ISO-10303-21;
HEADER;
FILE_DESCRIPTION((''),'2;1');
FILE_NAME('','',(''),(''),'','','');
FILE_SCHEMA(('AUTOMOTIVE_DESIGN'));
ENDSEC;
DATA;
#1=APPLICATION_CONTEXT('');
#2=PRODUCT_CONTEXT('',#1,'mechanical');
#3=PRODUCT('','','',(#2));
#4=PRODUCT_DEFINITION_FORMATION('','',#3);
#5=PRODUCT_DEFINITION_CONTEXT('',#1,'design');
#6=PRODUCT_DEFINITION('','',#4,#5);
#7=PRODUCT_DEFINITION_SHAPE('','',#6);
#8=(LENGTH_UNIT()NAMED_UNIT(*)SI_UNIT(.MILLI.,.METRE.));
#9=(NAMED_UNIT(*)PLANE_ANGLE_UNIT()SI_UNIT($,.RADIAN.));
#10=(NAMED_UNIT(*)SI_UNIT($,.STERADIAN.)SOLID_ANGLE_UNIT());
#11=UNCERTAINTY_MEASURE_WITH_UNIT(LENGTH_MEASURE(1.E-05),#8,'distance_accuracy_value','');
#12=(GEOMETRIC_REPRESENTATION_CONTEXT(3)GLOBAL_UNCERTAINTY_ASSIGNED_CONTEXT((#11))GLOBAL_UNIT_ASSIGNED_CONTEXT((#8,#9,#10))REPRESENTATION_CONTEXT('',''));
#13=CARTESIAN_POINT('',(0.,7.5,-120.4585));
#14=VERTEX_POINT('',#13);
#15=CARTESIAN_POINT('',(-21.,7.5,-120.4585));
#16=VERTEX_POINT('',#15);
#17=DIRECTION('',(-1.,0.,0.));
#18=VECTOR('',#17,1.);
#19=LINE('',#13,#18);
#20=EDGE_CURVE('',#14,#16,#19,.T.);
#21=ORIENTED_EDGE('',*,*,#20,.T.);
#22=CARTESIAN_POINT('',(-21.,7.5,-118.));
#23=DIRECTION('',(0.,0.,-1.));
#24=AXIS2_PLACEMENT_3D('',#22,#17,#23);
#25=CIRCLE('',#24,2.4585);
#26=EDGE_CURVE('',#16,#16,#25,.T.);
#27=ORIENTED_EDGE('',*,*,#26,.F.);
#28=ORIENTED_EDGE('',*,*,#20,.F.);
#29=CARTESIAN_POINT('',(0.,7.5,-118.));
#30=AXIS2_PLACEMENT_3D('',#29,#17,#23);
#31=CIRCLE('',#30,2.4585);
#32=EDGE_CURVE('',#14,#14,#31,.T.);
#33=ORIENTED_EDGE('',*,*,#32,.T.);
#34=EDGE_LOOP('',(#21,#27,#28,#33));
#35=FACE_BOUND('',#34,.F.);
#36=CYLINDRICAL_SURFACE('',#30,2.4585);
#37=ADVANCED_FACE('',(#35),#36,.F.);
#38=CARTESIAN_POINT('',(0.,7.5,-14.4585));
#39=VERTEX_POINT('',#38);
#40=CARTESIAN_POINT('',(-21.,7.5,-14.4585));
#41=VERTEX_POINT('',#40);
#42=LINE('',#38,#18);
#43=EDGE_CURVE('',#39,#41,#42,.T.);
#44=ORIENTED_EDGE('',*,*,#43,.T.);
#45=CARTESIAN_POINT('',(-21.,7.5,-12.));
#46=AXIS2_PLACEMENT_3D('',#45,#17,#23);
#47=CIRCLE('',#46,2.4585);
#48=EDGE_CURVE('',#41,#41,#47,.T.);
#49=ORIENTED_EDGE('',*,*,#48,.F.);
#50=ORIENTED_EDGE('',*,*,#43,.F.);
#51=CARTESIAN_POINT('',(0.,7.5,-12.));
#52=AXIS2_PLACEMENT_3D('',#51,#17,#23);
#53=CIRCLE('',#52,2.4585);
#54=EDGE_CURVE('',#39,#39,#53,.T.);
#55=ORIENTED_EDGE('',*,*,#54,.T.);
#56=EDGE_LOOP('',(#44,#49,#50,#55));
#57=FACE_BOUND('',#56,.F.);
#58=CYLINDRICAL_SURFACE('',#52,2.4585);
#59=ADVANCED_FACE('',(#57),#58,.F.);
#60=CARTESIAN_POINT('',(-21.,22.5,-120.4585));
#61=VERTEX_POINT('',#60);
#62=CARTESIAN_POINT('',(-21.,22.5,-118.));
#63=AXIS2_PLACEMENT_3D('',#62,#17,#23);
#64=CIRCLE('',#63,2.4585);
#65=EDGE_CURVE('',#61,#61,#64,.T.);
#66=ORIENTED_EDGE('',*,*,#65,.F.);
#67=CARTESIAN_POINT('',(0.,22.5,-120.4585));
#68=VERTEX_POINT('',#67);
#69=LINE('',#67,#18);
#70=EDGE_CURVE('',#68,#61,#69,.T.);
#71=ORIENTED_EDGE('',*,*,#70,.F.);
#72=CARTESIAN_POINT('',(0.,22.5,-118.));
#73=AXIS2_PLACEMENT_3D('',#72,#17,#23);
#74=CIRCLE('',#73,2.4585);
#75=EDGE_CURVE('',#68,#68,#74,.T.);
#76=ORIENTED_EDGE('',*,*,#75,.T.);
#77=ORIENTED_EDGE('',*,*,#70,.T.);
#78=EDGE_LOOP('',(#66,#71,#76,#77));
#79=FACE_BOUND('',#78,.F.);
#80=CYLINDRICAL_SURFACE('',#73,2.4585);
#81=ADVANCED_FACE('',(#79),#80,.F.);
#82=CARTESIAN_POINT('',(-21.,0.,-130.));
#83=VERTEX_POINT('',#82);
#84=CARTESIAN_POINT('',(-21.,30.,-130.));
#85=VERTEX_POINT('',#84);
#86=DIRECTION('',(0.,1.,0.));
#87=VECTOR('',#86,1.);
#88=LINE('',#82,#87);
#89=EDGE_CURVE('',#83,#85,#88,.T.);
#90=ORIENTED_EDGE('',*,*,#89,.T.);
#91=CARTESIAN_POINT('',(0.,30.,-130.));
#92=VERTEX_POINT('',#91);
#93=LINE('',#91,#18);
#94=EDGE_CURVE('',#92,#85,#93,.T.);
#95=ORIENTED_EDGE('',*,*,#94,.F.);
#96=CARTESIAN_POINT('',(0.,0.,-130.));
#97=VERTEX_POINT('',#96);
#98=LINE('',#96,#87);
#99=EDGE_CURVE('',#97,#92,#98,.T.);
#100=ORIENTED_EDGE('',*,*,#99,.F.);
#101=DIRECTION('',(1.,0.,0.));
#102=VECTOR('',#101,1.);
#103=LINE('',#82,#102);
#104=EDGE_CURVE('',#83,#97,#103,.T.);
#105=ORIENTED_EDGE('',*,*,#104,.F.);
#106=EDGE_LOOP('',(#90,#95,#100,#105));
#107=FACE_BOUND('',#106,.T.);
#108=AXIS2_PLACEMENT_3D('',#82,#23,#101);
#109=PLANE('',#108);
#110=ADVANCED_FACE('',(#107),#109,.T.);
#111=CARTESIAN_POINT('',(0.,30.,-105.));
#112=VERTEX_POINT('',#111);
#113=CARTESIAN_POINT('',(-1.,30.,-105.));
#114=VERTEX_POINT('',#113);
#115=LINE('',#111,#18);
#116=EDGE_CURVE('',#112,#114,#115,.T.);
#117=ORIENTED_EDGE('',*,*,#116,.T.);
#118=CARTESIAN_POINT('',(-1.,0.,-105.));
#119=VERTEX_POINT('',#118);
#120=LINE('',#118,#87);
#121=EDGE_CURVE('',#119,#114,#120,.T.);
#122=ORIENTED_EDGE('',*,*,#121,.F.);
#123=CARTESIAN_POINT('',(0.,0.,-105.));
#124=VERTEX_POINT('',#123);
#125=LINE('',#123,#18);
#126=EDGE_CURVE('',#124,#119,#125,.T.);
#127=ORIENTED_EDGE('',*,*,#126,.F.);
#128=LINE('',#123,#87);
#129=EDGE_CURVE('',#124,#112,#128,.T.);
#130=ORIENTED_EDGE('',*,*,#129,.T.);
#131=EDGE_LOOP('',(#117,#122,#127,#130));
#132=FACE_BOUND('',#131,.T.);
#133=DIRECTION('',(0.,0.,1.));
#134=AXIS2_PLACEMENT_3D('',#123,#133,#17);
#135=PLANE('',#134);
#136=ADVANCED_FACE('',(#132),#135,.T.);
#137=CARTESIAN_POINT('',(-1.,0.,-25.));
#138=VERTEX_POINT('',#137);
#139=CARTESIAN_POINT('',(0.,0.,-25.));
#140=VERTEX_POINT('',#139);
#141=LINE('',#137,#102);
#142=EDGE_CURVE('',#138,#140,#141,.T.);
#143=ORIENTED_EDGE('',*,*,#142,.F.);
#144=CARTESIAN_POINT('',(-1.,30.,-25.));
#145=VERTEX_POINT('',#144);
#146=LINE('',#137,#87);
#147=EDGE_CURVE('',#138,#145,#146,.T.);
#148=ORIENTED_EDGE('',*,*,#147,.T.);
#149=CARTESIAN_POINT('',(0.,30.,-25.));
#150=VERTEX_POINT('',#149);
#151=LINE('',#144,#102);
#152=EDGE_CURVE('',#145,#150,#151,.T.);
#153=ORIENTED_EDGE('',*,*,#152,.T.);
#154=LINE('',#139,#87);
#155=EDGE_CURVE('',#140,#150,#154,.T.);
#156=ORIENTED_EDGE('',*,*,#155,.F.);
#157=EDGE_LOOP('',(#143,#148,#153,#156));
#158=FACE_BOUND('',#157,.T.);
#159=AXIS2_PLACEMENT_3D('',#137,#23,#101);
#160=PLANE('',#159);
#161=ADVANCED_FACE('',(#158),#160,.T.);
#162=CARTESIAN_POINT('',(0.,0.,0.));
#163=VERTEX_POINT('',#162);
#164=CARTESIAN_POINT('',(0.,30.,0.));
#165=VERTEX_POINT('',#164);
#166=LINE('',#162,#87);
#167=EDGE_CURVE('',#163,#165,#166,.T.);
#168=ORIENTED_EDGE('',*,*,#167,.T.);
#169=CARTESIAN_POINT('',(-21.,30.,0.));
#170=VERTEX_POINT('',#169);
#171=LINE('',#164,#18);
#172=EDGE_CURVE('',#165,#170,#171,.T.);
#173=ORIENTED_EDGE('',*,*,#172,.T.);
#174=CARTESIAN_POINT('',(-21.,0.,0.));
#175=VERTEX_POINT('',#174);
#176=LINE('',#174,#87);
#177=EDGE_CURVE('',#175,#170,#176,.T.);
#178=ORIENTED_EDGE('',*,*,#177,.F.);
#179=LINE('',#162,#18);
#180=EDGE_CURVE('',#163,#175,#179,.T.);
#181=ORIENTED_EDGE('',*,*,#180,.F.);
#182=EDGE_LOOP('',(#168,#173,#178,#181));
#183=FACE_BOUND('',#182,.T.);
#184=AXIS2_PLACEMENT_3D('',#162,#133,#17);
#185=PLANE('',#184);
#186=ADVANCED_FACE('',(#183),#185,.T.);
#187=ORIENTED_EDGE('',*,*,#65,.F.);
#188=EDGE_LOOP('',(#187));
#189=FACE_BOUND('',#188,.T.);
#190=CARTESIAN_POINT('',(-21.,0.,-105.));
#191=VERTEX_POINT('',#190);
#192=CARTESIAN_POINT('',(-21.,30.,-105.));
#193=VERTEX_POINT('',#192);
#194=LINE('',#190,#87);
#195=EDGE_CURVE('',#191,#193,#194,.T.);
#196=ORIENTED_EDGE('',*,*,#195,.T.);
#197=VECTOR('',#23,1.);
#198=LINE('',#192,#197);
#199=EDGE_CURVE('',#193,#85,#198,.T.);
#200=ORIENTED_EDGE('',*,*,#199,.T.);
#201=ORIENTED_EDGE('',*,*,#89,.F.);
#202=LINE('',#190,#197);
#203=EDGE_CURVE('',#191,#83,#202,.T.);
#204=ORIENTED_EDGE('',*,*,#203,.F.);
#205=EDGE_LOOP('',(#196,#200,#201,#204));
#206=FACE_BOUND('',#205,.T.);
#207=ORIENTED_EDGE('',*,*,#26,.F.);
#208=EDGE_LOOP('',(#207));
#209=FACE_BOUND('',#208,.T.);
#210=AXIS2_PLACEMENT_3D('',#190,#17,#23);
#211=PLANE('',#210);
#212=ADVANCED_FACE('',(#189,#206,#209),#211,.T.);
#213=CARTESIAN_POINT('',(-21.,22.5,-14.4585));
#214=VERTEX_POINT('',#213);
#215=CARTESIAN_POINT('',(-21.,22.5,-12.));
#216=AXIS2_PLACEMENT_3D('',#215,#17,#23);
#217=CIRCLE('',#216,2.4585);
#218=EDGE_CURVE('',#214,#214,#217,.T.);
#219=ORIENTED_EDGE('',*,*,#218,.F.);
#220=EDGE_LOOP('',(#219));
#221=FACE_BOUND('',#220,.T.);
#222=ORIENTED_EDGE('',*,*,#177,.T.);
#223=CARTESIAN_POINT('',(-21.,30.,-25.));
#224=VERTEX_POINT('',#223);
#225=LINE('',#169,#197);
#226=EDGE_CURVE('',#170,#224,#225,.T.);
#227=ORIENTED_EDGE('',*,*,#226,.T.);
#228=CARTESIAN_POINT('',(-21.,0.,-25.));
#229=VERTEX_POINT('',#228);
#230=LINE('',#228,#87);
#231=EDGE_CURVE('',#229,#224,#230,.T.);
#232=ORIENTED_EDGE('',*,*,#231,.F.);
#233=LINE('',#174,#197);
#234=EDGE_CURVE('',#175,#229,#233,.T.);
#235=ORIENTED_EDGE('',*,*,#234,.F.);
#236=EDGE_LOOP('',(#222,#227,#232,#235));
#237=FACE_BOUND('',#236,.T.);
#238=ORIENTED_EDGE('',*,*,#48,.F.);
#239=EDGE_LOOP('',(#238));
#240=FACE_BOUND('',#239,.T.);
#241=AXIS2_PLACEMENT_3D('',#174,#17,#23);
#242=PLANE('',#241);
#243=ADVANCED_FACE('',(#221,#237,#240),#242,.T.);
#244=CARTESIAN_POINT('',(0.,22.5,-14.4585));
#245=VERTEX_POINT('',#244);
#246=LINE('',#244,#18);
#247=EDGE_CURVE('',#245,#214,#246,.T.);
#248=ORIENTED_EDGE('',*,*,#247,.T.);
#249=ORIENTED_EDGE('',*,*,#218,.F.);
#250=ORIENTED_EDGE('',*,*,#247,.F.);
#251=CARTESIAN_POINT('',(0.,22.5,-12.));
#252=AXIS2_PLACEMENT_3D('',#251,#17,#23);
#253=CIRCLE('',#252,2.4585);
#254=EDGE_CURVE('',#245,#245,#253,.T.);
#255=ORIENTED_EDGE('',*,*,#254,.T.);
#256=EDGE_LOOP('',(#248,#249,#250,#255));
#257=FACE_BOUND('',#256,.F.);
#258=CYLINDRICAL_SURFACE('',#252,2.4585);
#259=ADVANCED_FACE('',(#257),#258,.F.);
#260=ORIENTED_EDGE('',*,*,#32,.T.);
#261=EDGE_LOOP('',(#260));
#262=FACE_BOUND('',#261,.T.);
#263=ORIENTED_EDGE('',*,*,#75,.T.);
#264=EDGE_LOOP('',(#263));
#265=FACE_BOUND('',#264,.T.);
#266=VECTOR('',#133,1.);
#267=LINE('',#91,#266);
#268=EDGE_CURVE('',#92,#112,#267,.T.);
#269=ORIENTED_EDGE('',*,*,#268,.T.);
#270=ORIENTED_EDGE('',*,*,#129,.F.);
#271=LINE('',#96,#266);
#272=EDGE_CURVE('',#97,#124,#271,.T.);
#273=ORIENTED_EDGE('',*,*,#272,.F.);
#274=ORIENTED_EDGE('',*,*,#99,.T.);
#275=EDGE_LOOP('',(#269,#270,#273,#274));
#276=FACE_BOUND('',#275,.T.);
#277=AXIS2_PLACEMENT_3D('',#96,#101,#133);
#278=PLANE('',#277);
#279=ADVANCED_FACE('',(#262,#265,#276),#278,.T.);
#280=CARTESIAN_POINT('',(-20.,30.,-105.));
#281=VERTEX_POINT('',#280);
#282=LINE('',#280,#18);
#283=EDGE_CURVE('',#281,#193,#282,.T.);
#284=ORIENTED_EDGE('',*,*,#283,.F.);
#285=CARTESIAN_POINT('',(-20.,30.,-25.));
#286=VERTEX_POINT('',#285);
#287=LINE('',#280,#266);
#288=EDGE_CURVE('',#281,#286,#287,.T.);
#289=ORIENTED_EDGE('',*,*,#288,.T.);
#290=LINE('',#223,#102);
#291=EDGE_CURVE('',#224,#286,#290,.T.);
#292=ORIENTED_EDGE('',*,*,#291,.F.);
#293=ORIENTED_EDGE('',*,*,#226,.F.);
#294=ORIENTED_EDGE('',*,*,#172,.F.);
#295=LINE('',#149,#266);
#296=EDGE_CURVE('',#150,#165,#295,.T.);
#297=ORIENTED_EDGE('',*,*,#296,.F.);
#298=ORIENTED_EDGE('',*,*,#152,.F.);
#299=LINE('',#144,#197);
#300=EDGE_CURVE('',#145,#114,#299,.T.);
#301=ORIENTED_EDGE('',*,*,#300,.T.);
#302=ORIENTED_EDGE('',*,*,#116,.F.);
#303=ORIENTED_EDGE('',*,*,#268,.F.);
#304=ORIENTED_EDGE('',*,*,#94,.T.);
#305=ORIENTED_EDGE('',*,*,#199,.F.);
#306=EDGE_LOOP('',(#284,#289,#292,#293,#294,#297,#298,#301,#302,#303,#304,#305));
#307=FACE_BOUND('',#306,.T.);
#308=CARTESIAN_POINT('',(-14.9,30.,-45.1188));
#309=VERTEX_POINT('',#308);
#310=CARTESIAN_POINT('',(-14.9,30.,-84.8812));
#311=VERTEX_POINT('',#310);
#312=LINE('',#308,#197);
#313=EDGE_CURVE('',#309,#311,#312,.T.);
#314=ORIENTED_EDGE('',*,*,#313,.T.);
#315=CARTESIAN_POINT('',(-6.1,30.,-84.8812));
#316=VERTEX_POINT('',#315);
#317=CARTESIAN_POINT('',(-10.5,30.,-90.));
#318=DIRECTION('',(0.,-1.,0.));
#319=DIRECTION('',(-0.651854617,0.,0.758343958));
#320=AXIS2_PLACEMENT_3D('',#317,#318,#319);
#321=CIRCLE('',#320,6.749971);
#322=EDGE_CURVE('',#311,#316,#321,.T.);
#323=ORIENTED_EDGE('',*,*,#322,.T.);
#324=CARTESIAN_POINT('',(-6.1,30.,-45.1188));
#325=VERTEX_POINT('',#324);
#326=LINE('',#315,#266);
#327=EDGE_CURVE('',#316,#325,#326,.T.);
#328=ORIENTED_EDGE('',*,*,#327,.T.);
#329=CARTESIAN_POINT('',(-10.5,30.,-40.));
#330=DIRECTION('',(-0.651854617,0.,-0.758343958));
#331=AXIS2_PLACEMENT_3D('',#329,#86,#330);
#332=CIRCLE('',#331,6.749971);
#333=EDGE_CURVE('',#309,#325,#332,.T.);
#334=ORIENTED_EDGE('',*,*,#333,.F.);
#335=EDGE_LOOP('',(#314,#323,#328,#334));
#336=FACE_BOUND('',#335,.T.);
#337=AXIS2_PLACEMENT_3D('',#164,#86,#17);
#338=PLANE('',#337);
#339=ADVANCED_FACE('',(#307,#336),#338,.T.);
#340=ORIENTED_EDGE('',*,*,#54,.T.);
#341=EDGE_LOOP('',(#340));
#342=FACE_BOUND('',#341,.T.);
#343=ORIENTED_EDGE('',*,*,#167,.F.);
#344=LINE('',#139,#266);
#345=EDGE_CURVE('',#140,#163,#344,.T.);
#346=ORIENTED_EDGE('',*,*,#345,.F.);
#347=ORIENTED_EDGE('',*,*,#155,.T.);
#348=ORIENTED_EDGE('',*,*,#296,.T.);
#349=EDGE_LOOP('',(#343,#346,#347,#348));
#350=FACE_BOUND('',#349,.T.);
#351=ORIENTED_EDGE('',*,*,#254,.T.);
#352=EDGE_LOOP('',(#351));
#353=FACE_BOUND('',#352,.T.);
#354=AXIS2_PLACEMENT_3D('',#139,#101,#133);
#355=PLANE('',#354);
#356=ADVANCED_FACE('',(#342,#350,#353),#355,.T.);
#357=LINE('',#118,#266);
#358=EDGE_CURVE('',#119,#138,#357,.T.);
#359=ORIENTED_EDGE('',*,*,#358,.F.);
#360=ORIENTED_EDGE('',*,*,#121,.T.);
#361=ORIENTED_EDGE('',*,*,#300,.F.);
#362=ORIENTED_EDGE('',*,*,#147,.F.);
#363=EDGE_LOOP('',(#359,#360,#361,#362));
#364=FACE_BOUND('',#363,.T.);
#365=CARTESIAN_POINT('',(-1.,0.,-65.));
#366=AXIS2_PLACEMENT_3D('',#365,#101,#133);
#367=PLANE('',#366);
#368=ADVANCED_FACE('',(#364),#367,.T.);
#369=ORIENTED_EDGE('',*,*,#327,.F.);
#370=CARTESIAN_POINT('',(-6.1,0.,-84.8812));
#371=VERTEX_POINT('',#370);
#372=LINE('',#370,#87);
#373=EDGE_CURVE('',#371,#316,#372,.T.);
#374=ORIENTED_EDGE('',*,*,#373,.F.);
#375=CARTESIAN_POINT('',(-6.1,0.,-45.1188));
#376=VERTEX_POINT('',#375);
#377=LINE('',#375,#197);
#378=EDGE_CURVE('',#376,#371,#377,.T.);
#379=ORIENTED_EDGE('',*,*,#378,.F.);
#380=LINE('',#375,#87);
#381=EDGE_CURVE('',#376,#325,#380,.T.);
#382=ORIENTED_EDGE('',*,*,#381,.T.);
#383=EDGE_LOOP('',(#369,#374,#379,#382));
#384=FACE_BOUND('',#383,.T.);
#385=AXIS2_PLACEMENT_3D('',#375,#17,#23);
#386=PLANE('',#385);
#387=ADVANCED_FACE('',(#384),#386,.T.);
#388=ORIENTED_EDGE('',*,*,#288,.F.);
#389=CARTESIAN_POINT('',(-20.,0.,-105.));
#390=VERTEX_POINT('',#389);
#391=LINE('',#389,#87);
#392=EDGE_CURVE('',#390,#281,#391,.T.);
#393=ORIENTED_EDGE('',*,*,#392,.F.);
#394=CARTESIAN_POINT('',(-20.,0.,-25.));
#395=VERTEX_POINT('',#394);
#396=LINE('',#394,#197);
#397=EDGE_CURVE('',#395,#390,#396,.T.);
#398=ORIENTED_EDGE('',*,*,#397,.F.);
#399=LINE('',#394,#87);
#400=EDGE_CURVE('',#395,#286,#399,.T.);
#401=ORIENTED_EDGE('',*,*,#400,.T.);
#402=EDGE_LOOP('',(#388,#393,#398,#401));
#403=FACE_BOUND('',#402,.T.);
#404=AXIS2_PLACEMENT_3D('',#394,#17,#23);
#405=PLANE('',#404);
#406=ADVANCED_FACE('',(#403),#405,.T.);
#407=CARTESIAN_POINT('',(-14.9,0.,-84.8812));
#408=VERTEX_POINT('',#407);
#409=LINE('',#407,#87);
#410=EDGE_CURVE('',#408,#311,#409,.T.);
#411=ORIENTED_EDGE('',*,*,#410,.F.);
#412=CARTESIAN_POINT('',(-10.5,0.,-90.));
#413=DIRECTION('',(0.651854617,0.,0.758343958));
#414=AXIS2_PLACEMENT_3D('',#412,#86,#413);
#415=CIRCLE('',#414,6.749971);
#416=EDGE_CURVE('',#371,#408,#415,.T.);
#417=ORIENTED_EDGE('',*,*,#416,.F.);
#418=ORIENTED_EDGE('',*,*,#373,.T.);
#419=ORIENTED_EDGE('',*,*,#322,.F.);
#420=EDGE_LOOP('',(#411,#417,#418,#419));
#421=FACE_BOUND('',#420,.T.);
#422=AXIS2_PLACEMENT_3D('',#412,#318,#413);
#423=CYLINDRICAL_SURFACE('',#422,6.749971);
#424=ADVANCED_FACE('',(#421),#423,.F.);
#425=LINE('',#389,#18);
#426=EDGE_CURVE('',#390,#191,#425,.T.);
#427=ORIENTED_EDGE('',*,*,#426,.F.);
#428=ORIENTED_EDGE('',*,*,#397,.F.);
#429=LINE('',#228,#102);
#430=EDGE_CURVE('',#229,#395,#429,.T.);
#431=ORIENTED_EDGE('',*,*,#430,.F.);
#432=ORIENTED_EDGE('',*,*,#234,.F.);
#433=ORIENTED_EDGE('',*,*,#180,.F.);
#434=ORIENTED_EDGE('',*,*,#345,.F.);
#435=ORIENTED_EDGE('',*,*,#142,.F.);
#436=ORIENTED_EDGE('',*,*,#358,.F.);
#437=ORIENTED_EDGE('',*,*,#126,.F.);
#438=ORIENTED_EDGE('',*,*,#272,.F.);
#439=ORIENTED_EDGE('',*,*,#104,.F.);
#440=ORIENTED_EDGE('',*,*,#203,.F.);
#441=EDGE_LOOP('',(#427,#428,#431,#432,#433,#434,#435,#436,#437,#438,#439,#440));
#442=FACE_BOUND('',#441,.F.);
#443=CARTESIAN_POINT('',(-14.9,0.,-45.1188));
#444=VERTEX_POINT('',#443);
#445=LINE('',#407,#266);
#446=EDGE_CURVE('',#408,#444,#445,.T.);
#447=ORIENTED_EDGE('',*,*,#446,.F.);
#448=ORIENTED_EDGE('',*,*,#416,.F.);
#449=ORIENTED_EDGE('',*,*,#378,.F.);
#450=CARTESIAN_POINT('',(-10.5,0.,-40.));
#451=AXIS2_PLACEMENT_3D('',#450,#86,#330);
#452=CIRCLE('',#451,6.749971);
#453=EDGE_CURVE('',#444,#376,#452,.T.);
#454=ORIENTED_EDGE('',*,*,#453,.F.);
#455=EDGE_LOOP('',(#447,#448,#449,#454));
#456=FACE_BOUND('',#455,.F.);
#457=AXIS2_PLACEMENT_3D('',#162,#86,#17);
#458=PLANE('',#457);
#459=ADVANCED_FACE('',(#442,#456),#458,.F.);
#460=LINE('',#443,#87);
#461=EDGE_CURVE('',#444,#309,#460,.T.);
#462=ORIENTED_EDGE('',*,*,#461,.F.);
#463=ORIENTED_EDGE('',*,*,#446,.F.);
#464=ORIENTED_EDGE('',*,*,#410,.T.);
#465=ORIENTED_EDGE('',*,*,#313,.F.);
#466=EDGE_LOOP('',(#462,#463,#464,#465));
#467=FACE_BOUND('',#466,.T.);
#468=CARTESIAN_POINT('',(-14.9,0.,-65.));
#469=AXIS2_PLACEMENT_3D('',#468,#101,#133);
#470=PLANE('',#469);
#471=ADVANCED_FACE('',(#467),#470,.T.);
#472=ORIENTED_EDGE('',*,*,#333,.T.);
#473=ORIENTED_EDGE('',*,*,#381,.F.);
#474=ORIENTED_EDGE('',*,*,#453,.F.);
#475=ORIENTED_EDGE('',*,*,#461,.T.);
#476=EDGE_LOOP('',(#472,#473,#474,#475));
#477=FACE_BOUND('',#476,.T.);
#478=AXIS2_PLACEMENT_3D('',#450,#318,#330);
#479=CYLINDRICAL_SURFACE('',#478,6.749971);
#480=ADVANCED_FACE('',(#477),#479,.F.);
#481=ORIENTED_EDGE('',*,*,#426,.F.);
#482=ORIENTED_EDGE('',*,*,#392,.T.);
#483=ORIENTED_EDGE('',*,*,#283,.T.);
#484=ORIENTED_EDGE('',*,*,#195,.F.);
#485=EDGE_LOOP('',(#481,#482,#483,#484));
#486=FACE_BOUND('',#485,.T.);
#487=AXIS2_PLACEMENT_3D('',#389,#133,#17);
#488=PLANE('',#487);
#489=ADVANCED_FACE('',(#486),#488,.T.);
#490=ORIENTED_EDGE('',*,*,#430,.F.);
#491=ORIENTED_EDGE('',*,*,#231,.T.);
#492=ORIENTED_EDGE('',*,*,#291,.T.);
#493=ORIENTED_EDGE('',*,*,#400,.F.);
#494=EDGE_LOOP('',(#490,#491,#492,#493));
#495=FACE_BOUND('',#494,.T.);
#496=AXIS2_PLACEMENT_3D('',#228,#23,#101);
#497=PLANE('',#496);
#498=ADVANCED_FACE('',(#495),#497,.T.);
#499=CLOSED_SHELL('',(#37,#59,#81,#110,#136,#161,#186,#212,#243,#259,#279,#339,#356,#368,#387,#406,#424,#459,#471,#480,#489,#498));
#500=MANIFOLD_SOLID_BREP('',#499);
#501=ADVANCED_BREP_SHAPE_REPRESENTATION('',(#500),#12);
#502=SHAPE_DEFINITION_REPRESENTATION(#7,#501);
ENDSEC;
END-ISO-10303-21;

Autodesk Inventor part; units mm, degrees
ref_plane "YZ Plane" through (0, 0, 0) normal (1, 0, 0) x (0, 1, 0)
ref_plane "XZ Plane" through (0, 0, 0) normal (0, 1, 0) x (-1, 0, 0)
ref_plane "XY Plane" through (0, 0, 0) normal (0, 0, 1) x (1, 0, 0)
sketch "Esboço1" plane through (0, 0, 0) normal (0, 1, 0) x (-1, 0, 0)
  line L0 (0, 0) -> (21, 0)
  line L1 (21, -130) -> (0, -130)
  arc A0 (14.9, -45.1188) -> (6.1, -45.1188) centre (10.5, -40) ccw
  arc A1 (6.1, -84.8812) -> (14.9, -84.8812) centre (10.5, -90) ccw
  line L2 (6.1, -45.1188) -> (6.1, -84.8812)
  line L3 (14.9, -84.8812) -> (14.9, -45.1188)
  line L4 (21, -25) -> (20, -25)
  line L5 (20, -25) -> (20, -105)
  line L6 (20, -105) -> (21, -105)
  line L7 (1, -25) -> (0, -25)
  line L8 (0, -105) -> (1, -105)
  line L9 (1, -105) -> (1, -25)
  line L10 (21, 0) -> (21, -25)
  line L11 (21, -105) -> (21, -130)
  line L12 (0, -130) -> (0, -105)
  line L13 (0, -25) -> (0, 0)
  line L14 (6.1, -65) -> (1, -65)
  line L15 (1, -65) -> (20, -65)
  line L16 (10.5, -65) -> (10.5, -130)
  line L17 (10.5, -90) -> (10.5, -130)
  point P0 (10.5, 0)
  point P1 (10.5, -51.1323)
  point P2 (-52.2156, -65)
  dimension "d0" = 21
  dimension "d1" = 130
  dimension "d2" = 13.5
  dimension "d8" = 0
  dimension "d9" = 1
  dimension "d10" = 80
  dimension "d11" = 1
  dimension "d12" = 80
  dimension "d15" = 0
  dimension "d16" = 0
  dimension "d34" = 8.8
  dimension "d37" = 0
  dimension "d38" = 4.4
  dimension "d39" = 50
  dimension "d40" = 25
  dimension "d41" = 25
extrude "Extrusão1" add sketch "Esboço1" along normal blind 30 contours L0 L10 L4 L5 L15 L3 A0 L2 L14 L9 L7 L13 | L14 L2 A1 L16 L1 L12 L8 L9 | L5 L6 L11 L1 L16 A1 L3 L15
sketch "Esboço2" plane through (0, 0, 0) normal (1, 0, 0) x (0, 0, -1)
  line L0 (0, 0) -> (0, 30) projected
  line L1 (130, 0) -> (130, 30) projected
  line L2 (0, 30) -> (25, 30) projected
  line L3 (0, 0) -> (25, 0) projected
  line L4 (105, 30) -> (130, 30) projected
  line L5 (105, 0) -> (130, 0) projected
  point P0 (12, 22.5)
  point P1 (12, 7.5)
  point P2 (118, 22.5)
  point P3 (118, 7.5)
  point P4 (117.5, 0)
  dimension "d19" = 12
  dimension "d20" = 12
  dimension "d21" = 12
  dimension "d22" = 12
  dimension "d23" = 7.5
  dimension "d24" = 7.5
  dimension "d25" = 7.5
  dimension "d26" = 7.5
hole "Furo1" at (0, 22.5, -12) at (0, 7.5, -12) at (0, 22.5, -118) at (0, 7.5, -118) direction (-1, 0, 0) diameter 4.917 end through all thread size "M6x1" class "6H" standard "ISO Metric profile"
equation "\"d38\" = 0.5 * d34"
equation "\"d20\" = d19"
equation "\"d21\" = d19"
equation "\"d22\" = d19"
equation "\"d24\" = d23"
equation "\"d25\" = d23"
equation "\"d26\" = d24"
equation "\"Raio_vergadura\" = Espessura"
equation "\"Largura_alívio_de_vergadura\" = Espessura"
equation "\"Profundidade_alívio_de_vergadura\" = 0.5 * Espessura"
equation "\"Tamanho_alívio_de_dobra\" = 4 * Espessura"
equation "\"Remanescente_mínimo\" = 2 * Espessura"
equation "\"Raiodetransição\" = Raio_vergadura"
equation "\"Tamanho_de_raio_de_Jacobi\" = Raio_vergadura"
equation "\"TamanhoFolga\" = Espessura"
equation "\"d3\" = 0.5 * d0"
equation "\"d4\" = 0.5 * d0"
equation "\"Espessura\" = 0.5"
properties part number "Célula de carga" material "Aço inoxidável"
